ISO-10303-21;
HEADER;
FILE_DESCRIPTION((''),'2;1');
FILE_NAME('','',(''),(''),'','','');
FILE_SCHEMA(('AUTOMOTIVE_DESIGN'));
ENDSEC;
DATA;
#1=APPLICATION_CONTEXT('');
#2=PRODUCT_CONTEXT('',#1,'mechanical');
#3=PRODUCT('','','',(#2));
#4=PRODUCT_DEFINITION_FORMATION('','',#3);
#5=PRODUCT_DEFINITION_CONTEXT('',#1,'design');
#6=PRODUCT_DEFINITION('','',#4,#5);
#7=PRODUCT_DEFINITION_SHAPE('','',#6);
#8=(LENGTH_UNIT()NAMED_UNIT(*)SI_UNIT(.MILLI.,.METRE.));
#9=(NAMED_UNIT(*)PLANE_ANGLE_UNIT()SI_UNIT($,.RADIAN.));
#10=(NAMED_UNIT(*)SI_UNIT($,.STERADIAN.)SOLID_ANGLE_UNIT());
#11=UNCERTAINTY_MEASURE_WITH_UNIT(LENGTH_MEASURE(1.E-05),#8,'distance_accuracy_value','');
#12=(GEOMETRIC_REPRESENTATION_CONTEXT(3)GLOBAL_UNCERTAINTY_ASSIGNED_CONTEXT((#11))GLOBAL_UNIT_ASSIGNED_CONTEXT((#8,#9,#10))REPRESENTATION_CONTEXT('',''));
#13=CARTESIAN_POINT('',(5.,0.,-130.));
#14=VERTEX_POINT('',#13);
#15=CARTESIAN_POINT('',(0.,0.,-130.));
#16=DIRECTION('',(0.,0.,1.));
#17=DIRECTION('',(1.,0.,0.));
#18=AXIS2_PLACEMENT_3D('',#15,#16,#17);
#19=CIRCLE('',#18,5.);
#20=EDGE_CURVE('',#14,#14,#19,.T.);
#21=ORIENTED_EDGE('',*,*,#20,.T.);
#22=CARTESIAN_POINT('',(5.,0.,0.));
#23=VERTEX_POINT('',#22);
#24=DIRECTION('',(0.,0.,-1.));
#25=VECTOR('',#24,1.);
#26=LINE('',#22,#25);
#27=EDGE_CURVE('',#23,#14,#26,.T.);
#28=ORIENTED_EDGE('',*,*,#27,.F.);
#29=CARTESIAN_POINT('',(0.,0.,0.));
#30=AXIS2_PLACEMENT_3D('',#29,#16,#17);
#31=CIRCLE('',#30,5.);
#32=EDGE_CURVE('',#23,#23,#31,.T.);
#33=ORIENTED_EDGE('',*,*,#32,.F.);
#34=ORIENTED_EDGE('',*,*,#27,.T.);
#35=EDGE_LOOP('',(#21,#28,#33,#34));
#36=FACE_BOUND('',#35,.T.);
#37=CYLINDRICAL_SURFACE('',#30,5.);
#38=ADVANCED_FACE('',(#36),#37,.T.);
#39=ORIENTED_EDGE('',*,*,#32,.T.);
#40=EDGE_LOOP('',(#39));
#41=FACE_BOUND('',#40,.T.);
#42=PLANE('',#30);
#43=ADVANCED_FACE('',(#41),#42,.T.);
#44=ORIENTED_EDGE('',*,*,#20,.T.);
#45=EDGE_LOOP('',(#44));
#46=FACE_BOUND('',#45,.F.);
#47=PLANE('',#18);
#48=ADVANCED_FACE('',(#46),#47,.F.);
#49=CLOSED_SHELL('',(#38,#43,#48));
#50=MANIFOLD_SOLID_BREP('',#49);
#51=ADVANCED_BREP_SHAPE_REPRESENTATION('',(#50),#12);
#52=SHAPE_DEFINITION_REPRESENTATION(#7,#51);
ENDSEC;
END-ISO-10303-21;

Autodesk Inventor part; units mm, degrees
ref_plane "YZ Plane" through (0, 0, 0) normal (1, 0, 0) x (0, 1, 0)
ref_plane "XZ Plane" through (0, 0, 0) normal (0, 1, 0) x (-1, 0, 0)
ref_plane "XY Plane" through (0, 0, 0) normal (0, 0, 1) x (1, 0, 0)
sketch "スケッチ1" plane through (0, 0, 0) normal (0, 0, 1) x (1, 0, 0)
  circle A0 centre (0, 0) radius 5
  dimension "d0" = 10
extrude "押し出し1" add sketch "スケッチ1" against normal blind 130
properties part number "円柱10mm"
